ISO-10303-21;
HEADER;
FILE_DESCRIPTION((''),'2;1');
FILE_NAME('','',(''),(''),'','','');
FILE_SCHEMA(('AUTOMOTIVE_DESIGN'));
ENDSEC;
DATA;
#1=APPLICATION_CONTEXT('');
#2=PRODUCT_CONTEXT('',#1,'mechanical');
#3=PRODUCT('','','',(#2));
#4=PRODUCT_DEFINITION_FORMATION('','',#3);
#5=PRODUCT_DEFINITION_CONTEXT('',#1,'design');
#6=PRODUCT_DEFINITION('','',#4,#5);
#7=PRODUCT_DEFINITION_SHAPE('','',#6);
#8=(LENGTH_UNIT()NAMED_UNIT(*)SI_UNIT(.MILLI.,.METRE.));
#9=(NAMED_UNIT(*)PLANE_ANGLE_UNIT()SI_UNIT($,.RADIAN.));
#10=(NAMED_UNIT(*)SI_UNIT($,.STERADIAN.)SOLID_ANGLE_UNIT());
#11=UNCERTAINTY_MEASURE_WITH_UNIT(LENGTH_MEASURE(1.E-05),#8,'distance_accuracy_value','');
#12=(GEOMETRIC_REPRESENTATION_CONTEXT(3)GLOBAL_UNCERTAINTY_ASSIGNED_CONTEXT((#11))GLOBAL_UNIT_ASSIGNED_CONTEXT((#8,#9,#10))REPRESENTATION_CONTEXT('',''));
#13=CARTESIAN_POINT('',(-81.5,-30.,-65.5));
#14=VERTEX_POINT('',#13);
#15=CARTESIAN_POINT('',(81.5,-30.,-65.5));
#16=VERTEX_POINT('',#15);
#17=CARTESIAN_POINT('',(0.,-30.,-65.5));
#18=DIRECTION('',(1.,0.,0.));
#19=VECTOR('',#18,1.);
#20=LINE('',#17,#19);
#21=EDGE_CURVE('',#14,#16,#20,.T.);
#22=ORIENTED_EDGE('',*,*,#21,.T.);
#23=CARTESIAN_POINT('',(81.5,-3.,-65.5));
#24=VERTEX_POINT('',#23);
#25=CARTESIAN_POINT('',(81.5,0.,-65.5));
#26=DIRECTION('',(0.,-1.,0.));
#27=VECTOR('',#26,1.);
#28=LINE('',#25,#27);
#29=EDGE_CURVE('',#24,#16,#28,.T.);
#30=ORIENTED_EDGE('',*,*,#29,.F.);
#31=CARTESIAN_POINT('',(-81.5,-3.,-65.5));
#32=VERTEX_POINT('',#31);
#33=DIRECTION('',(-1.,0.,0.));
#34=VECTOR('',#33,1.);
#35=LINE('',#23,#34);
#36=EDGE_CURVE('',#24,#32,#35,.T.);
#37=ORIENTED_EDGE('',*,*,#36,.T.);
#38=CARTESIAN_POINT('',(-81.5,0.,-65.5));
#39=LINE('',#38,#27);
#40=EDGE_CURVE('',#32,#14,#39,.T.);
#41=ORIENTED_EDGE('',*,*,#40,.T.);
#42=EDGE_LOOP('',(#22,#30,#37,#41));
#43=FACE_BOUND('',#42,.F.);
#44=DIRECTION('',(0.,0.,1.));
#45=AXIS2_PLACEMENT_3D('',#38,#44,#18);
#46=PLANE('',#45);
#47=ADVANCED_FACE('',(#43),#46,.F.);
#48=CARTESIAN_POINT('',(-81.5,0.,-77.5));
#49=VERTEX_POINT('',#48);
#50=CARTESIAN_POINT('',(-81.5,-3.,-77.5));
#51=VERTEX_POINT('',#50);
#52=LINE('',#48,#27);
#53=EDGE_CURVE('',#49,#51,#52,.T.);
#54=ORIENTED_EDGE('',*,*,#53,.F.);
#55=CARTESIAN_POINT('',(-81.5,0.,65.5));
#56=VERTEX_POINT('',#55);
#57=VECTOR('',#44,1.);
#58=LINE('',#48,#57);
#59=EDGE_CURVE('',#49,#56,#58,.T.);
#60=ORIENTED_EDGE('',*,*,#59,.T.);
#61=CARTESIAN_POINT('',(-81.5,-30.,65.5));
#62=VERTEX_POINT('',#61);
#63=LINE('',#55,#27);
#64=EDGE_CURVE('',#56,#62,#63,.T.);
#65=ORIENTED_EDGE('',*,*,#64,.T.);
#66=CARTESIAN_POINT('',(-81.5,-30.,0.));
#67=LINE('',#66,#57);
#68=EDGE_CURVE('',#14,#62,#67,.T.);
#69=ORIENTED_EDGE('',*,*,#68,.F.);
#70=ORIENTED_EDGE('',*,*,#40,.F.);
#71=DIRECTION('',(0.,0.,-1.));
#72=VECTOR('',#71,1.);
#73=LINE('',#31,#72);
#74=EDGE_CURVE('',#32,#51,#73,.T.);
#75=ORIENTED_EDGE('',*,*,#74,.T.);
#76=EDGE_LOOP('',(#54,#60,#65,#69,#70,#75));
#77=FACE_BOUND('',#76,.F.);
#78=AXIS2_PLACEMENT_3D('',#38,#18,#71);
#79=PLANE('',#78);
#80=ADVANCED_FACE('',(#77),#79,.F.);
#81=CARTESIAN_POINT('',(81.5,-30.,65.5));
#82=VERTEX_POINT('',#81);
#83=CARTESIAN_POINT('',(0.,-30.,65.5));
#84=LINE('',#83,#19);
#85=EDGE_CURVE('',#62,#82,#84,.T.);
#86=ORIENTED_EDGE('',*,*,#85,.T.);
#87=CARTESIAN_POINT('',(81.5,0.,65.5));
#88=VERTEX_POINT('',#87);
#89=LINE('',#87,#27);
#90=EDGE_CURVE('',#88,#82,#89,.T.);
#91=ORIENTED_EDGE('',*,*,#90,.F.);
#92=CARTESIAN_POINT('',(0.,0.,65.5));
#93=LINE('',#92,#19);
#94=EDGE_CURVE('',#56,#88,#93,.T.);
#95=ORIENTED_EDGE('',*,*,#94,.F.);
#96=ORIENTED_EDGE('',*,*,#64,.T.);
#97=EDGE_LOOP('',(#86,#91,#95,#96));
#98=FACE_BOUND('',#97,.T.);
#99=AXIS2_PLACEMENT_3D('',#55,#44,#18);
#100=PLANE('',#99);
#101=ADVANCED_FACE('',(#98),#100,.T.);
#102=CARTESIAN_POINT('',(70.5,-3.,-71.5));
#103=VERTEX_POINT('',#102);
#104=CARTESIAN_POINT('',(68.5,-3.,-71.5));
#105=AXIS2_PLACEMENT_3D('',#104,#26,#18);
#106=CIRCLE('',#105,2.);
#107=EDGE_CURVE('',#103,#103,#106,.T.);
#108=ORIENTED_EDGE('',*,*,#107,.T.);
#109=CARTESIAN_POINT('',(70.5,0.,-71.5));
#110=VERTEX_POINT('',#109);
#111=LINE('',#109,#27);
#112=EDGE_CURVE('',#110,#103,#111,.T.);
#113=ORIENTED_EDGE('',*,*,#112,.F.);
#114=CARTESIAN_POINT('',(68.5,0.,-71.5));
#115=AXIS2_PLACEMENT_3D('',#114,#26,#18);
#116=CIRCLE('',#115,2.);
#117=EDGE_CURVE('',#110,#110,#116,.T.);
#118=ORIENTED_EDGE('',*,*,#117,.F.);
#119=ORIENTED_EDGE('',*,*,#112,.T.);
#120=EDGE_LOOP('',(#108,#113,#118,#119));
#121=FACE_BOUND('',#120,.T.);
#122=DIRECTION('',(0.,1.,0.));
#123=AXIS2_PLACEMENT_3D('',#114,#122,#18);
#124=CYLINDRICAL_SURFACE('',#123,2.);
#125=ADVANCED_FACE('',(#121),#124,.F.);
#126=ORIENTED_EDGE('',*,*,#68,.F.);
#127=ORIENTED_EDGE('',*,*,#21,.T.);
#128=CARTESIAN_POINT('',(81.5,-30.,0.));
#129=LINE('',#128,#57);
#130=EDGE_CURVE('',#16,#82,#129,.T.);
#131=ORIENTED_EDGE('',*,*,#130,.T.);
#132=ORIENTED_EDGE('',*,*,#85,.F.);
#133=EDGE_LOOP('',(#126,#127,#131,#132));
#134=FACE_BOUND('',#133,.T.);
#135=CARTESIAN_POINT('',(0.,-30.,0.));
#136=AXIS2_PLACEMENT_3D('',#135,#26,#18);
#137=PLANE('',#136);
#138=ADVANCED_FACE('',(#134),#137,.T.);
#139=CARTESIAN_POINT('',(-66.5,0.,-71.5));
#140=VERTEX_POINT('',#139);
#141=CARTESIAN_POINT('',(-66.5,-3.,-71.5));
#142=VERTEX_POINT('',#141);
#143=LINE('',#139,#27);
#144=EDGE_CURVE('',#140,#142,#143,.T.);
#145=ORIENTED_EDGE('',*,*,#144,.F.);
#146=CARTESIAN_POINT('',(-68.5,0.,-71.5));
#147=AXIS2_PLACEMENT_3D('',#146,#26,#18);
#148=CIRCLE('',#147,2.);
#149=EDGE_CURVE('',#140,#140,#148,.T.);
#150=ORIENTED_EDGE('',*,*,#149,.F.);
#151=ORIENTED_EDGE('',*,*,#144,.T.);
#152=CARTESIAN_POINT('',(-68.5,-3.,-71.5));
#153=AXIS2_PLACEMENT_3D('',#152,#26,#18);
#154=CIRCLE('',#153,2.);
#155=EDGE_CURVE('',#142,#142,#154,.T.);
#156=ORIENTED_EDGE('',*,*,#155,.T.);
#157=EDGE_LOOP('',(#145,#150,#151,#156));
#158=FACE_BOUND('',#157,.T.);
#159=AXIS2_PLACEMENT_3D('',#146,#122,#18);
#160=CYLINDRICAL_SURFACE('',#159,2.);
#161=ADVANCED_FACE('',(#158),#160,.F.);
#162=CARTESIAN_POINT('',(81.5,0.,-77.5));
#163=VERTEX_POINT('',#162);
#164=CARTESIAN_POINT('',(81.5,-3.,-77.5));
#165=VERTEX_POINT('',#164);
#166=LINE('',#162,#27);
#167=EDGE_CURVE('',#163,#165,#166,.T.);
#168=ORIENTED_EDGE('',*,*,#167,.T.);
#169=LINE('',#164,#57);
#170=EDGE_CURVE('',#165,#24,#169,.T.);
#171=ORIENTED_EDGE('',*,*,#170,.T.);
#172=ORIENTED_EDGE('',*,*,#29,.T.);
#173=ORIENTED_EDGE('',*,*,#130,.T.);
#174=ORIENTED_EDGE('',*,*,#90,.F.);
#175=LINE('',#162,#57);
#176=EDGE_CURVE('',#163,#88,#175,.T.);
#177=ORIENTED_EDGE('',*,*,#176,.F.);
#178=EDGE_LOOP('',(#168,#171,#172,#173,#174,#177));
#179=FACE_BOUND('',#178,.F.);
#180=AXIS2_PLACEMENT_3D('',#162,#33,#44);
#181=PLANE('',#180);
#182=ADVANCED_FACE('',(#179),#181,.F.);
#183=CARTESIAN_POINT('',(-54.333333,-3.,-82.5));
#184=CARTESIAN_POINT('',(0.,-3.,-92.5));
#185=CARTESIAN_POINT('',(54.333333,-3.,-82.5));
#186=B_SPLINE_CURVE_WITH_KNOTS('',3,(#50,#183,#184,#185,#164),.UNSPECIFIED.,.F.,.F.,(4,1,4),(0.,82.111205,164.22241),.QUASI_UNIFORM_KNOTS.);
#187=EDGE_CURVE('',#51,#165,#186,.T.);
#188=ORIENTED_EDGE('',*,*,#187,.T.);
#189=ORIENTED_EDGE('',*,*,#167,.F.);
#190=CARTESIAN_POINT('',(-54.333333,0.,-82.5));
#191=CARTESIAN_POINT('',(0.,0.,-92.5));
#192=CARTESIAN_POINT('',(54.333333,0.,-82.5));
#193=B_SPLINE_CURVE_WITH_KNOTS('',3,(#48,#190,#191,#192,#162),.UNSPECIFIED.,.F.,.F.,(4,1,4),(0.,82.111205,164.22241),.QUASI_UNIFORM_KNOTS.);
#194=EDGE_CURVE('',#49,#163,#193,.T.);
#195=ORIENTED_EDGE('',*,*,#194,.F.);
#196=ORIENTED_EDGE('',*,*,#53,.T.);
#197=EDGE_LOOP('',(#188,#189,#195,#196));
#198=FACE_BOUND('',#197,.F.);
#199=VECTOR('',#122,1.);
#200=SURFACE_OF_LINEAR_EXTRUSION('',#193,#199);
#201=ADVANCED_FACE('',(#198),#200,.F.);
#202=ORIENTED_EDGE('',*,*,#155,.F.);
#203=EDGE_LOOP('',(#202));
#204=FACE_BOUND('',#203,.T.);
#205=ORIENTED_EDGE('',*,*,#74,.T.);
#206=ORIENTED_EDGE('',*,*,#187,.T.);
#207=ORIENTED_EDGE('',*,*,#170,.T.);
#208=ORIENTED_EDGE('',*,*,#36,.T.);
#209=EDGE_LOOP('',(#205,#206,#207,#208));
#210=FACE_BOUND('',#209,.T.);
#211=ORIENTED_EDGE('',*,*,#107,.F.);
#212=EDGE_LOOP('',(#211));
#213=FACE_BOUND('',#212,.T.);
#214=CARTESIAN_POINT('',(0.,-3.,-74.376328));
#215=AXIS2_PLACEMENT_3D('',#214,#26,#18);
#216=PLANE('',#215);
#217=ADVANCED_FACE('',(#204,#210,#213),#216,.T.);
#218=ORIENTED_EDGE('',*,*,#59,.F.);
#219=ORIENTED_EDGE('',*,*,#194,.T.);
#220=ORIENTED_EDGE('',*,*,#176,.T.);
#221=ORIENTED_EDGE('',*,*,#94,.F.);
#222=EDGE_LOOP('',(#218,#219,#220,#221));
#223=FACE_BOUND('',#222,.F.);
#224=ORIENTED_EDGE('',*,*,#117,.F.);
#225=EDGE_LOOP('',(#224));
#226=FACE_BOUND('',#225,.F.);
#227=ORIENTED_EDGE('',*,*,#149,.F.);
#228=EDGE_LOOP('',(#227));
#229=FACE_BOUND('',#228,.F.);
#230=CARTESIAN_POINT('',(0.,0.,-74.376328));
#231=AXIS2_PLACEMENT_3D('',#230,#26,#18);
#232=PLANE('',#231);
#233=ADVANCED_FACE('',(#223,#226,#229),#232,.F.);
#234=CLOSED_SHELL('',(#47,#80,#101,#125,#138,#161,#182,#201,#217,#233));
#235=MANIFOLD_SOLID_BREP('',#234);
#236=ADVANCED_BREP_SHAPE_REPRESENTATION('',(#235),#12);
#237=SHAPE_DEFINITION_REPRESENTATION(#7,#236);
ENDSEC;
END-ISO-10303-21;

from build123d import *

# Parameters (mm, degrees)
F0_W     = 163
F0_H     = 131
F1_DEPTH = 30
F0_R     = 2
F2_DEPTH = 3


with BuildPart() as f1:
    # F0 (on Front) → F1 (new body)
    with BuildSketch(Plane.XZ):
        Rectangle(F0_W, F0_H)
    extrude(amount=F1_DEPTH)

    # F0 (on Front) → F2 (join)
    with BuildSketch(Plane.XZ):
        with BuildLine():
            Line((81.5, -77.5), (81.5, -65.5))
            Line((81.5, -65.5), (-81.5, -65.5))
            Line((-81.5, -65.5), (-81.5, -77.5))
            add(Edge.make_bspline(
                [(-81.5, -77.5), (-54.333333, -82.5), (0, -92.5), (54.333333, -82.5), (81.5, -77.5)],
                knots=[0, 0, 0, 0, 82.111205, 164.22241, 164.22241, 164.22241, 164.22241], degree=3))
        make_face()
        with Locations((-68.5, -71.5)):
            Circle(F0_R, mode=Mode.SUBTRACT)
        with Locations((68.5, -71.5)):
            Circle(F0_R, mode=Mode.SUBTRACT)
    extrude(amount=F2_DEPTH)


solid = f1.part
